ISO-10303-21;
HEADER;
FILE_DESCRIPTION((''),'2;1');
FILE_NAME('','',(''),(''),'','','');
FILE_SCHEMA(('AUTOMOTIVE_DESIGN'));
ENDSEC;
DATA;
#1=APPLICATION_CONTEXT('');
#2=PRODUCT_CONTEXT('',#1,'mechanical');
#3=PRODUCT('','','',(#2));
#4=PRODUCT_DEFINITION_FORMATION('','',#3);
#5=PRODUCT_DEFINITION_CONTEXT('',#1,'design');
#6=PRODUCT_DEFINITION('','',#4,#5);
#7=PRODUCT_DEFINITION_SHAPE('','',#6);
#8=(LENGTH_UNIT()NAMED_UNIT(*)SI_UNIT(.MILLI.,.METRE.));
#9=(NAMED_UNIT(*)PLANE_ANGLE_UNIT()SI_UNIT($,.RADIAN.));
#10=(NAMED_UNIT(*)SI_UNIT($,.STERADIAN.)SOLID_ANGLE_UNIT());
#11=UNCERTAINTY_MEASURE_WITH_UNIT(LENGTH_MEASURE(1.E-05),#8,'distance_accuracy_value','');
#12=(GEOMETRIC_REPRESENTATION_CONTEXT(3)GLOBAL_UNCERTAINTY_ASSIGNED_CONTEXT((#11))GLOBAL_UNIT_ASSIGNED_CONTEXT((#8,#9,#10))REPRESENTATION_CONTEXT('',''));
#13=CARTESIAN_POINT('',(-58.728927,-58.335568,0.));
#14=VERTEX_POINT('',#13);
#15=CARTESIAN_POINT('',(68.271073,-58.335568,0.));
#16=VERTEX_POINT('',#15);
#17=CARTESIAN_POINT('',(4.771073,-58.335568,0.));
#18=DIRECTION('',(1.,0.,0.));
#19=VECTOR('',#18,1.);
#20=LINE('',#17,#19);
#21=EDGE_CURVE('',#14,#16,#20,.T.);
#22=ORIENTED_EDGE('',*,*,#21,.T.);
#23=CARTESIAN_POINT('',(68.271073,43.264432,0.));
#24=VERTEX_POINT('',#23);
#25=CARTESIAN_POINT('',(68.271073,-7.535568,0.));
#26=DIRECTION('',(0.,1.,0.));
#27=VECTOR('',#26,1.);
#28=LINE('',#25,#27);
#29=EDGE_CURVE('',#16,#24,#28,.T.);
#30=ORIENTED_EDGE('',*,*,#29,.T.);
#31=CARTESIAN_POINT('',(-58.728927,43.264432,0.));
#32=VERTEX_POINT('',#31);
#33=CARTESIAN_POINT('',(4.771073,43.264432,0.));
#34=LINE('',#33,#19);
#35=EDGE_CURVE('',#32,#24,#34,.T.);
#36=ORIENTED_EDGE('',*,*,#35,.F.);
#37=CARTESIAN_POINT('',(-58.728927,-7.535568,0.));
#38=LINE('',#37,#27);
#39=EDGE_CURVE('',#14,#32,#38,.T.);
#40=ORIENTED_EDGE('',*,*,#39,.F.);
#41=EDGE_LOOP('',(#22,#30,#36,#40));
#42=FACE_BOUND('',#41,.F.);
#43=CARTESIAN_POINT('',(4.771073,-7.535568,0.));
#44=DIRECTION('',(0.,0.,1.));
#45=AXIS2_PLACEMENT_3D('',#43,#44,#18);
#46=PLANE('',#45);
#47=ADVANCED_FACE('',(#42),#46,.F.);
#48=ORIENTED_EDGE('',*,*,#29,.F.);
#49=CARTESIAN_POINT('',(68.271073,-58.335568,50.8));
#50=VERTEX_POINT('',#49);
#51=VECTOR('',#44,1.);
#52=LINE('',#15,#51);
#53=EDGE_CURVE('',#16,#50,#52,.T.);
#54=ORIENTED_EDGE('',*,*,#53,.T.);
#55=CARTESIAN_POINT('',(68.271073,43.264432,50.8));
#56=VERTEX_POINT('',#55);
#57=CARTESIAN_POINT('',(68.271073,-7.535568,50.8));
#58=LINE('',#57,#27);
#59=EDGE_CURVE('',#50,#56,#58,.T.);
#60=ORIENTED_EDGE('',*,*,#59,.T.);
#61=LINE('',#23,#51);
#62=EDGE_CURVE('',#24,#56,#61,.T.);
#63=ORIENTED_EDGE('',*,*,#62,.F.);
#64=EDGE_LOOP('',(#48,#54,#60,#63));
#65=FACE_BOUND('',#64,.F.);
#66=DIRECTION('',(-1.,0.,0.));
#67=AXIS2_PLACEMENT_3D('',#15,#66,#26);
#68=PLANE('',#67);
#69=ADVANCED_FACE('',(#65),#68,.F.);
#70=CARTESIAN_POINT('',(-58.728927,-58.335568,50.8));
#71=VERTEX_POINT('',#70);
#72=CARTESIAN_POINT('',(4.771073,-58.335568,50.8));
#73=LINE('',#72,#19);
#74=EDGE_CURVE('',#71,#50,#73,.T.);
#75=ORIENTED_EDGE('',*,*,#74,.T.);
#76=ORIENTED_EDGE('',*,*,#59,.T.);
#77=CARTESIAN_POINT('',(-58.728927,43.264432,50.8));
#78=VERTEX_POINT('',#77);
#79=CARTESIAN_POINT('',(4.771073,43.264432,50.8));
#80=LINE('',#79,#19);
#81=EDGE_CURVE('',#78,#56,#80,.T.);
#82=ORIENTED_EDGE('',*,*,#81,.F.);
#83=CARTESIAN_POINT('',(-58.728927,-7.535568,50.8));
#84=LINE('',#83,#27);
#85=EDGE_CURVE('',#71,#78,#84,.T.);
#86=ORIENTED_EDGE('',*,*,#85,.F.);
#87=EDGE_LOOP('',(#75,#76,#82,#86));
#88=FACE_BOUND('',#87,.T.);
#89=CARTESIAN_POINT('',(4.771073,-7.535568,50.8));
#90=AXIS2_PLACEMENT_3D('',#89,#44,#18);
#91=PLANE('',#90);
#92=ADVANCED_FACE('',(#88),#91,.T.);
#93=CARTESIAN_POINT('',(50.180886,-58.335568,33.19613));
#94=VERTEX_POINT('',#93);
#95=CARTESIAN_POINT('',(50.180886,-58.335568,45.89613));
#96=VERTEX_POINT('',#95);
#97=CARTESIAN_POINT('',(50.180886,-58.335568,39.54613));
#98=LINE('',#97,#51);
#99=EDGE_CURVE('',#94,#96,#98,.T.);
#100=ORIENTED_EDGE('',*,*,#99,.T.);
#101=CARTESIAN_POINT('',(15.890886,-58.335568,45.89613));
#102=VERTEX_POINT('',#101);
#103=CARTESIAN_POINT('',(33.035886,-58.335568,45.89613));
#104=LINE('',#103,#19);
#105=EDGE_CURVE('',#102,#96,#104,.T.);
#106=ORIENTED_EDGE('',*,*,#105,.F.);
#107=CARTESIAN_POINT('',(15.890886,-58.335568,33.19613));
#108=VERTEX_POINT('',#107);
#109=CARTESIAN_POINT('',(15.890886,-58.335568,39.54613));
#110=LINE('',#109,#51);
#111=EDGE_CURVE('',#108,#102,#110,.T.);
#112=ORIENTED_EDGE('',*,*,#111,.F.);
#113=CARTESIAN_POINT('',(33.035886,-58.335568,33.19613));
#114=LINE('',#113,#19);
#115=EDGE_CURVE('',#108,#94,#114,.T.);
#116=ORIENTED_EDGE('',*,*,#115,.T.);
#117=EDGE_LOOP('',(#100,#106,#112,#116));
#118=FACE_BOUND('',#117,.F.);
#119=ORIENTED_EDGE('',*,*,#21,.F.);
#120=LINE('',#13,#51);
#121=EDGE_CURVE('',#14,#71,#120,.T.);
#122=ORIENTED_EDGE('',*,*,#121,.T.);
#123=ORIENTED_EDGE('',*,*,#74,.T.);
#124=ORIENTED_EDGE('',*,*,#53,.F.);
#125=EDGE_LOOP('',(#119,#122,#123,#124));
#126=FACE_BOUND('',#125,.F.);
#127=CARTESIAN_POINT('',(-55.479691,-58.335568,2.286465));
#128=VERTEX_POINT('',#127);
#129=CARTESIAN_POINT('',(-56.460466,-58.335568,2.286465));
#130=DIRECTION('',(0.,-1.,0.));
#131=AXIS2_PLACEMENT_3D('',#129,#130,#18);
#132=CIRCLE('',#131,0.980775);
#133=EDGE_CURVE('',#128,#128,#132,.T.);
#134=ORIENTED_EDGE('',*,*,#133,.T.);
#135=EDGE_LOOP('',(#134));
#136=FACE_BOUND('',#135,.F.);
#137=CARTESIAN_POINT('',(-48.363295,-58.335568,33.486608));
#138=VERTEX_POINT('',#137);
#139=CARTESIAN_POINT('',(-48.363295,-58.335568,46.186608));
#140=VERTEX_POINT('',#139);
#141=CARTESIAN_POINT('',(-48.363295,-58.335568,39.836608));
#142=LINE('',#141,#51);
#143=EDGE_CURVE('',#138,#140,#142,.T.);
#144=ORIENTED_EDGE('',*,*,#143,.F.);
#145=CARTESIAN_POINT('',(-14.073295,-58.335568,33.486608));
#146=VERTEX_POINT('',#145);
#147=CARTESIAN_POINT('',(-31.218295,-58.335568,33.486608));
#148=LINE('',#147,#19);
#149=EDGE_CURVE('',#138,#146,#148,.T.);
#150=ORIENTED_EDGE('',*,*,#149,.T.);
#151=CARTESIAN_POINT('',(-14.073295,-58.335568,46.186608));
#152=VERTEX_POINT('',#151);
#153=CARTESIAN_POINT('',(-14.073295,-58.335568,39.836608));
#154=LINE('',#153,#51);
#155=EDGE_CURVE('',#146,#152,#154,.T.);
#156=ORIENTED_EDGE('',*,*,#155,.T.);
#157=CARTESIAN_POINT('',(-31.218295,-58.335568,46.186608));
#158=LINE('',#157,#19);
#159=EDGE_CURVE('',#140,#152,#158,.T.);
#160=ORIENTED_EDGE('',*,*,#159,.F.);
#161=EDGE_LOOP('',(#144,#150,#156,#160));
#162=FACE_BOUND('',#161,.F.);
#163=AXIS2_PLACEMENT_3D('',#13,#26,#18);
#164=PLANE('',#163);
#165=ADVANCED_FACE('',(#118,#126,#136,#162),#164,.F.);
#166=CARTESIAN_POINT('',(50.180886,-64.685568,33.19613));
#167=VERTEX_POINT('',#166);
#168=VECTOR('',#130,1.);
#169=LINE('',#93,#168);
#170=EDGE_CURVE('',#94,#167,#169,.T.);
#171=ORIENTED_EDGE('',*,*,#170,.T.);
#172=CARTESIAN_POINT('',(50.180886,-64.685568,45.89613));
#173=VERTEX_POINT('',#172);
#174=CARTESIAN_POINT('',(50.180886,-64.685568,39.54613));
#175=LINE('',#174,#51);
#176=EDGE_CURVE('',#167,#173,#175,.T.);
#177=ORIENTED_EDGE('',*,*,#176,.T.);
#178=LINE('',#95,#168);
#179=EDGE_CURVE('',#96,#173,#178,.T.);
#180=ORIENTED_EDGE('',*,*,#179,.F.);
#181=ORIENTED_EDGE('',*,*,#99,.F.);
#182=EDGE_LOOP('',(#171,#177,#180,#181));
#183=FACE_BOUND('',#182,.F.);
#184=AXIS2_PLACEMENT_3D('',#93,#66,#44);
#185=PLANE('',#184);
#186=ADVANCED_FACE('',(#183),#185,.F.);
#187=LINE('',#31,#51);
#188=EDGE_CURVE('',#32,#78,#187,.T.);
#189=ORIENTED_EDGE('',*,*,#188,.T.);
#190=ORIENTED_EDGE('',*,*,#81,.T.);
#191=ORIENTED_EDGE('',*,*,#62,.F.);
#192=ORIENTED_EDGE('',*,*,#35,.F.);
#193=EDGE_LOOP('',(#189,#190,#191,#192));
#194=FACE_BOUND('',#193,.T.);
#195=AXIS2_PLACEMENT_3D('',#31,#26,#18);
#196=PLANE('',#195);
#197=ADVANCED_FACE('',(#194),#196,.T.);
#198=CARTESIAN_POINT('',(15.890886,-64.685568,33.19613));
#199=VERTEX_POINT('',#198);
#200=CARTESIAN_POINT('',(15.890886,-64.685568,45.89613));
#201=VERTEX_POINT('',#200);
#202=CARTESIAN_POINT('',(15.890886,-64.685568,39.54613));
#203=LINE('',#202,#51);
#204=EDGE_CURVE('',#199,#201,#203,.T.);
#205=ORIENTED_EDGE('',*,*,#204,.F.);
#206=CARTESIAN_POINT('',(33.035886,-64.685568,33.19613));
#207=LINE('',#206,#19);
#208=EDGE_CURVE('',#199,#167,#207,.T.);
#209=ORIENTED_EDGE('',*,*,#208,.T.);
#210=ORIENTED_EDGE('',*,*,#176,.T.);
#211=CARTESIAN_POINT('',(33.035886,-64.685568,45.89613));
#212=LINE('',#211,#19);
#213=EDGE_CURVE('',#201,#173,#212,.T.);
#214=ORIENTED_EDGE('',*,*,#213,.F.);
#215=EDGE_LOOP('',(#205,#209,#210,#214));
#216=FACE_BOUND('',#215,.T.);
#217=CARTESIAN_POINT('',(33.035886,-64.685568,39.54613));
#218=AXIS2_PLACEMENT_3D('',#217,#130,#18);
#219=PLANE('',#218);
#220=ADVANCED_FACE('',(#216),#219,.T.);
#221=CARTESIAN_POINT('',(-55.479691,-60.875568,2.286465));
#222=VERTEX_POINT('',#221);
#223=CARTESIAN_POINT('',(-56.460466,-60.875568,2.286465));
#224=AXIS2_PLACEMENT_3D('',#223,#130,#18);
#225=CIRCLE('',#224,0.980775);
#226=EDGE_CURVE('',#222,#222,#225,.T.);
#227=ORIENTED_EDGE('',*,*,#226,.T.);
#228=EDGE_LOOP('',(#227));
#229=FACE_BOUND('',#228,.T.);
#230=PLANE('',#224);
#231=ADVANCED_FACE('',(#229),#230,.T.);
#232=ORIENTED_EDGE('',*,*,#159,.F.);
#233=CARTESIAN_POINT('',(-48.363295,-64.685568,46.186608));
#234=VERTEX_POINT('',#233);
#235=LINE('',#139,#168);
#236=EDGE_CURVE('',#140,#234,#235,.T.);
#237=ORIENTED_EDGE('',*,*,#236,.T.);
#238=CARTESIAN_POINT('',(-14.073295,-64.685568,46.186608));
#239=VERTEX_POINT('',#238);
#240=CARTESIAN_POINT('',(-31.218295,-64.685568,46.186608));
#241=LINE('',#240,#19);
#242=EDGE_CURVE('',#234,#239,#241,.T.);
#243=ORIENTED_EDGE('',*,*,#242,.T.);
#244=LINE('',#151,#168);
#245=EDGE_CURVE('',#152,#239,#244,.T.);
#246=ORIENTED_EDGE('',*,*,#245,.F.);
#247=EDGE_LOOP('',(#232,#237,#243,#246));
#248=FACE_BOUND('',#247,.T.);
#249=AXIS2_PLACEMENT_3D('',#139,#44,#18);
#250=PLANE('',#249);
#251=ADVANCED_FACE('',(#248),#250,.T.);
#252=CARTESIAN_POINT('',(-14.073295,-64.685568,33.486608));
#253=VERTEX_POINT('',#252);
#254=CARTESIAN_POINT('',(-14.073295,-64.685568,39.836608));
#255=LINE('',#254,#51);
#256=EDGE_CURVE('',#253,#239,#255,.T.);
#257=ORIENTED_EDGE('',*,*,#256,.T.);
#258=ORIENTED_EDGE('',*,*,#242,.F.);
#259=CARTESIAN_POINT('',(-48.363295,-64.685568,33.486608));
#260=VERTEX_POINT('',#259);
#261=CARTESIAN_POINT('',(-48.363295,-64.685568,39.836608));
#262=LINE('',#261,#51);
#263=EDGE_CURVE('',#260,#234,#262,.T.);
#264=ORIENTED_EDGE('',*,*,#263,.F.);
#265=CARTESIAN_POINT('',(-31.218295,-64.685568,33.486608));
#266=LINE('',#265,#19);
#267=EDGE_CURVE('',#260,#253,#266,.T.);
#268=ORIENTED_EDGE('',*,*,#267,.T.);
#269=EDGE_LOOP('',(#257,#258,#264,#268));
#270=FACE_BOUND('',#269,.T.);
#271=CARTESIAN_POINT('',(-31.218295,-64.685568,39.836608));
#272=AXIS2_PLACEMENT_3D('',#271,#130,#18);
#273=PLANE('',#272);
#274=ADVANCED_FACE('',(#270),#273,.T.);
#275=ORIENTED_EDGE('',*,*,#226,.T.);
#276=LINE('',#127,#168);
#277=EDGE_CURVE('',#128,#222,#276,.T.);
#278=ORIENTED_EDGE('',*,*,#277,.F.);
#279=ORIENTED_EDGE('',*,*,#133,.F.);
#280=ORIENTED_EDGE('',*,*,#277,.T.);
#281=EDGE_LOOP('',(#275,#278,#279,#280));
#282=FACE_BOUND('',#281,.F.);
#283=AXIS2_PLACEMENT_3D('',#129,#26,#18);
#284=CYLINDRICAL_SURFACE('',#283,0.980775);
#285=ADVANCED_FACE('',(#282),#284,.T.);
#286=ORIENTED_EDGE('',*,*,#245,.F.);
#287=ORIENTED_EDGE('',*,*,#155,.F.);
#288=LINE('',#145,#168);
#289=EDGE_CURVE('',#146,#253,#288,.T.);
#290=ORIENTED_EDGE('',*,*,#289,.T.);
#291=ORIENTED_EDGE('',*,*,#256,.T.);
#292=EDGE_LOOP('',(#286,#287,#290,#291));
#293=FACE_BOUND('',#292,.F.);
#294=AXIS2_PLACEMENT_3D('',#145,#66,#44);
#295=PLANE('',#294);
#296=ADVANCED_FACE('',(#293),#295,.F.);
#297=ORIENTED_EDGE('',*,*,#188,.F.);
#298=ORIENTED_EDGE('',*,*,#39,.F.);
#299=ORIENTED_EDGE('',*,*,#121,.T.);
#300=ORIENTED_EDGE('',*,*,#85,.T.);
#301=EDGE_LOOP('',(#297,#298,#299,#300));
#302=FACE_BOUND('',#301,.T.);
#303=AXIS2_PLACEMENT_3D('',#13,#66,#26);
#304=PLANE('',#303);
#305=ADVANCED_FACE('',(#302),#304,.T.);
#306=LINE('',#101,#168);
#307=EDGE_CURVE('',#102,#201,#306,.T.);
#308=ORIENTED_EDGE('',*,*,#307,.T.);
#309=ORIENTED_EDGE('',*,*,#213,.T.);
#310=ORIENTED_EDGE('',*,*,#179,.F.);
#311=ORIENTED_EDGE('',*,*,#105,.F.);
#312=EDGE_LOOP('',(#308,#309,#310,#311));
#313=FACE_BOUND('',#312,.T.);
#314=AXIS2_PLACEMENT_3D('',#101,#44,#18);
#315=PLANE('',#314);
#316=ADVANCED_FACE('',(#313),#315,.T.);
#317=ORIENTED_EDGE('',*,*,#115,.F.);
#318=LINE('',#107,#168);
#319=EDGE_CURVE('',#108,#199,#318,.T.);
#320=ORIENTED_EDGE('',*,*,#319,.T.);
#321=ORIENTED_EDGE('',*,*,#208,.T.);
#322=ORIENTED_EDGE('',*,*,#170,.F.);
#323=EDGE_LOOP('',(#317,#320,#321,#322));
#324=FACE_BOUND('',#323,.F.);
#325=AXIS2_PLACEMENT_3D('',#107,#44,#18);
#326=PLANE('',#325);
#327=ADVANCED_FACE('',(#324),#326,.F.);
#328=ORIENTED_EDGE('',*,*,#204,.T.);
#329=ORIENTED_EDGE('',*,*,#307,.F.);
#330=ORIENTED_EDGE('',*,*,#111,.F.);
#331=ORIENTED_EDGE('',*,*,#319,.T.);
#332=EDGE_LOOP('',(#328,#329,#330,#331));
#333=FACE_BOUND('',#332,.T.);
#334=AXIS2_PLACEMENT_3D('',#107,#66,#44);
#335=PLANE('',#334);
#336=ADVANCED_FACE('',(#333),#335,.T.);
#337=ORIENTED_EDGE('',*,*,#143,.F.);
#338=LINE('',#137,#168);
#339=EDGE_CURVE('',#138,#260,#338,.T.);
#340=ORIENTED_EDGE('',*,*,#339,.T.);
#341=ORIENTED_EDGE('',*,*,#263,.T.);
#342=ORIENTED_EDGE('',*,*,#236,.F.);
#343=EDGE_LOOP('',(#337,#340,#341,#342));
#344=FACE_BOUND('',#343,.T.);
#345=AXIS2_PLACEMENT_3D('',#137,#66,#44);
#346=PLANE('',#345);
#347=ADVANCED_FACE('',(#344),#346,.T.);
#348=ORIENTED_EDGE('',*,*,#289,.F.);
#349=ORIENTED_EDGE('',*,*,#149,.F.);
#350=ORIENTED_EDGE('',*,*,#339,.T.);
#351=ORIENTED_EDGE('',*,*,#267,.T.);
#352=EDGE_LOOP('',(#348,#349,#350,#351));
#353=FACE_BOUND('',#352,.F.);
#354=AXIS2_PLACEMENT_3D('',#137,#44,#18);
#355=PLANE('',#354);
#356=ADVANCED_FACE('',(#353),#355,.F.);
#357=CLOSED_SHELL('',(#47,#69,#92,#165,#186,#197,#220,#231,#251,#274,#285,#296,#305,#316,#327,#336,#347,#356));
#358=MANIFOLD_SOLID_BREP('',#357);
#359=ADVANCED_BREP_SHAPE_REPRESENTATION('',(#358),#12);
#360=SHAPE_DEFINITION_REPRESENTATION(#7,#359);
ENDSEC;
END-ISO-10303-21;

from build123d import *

# Parameters (mm, degrees)
F0_W     = 127
F0_H     = 101.6
F1_DEPTH = 50.8
F2_R     = 0.980775
F3_DEPTH = 2.54
F4_W     = 34.29
F4_H     = 12.7
F5_DEPTH = 6.35
F6_W     = 34.29
F6_H     = 12.7
F7_DEPTH = 6.35


with BuildPart() as f1:
    # F0 (on Top) → F1 (new body)
    with BuildSketch(Plane.XY):
        with Locations((4.771073, -7.535568)):
            Rectangle(F0_W, F0_H)
    extrude(amount=F1_DEPTH)

    # F2 (on face) → F3 (join)
    with BuildSketch(Plane.XZ.offset(58.335568)):
        with Locations((-56.460466, 2.286465)):
            Circle(F2_R)
    extrude(amount=F3_DEPTH)

    # F4 (on face) → F5 (join)
    with BuildSketch(Plane.XZ.offset(58.335568)):
        with Locations((-31.218295, 39.836608)):
            Rectangle(F4_W, F4_H)
    extrude(amount=F5_DEPTH)

    # F6 (on face) → F7 (join)
    with BuildSketch(Plane.XZ.offset(58.335568)):
        with Locations((33.035886, 39.54613)):
            Rectangle(F6_W, F6_H)
    extrude(amount=F7_DEPTH)


solid = f1.part
